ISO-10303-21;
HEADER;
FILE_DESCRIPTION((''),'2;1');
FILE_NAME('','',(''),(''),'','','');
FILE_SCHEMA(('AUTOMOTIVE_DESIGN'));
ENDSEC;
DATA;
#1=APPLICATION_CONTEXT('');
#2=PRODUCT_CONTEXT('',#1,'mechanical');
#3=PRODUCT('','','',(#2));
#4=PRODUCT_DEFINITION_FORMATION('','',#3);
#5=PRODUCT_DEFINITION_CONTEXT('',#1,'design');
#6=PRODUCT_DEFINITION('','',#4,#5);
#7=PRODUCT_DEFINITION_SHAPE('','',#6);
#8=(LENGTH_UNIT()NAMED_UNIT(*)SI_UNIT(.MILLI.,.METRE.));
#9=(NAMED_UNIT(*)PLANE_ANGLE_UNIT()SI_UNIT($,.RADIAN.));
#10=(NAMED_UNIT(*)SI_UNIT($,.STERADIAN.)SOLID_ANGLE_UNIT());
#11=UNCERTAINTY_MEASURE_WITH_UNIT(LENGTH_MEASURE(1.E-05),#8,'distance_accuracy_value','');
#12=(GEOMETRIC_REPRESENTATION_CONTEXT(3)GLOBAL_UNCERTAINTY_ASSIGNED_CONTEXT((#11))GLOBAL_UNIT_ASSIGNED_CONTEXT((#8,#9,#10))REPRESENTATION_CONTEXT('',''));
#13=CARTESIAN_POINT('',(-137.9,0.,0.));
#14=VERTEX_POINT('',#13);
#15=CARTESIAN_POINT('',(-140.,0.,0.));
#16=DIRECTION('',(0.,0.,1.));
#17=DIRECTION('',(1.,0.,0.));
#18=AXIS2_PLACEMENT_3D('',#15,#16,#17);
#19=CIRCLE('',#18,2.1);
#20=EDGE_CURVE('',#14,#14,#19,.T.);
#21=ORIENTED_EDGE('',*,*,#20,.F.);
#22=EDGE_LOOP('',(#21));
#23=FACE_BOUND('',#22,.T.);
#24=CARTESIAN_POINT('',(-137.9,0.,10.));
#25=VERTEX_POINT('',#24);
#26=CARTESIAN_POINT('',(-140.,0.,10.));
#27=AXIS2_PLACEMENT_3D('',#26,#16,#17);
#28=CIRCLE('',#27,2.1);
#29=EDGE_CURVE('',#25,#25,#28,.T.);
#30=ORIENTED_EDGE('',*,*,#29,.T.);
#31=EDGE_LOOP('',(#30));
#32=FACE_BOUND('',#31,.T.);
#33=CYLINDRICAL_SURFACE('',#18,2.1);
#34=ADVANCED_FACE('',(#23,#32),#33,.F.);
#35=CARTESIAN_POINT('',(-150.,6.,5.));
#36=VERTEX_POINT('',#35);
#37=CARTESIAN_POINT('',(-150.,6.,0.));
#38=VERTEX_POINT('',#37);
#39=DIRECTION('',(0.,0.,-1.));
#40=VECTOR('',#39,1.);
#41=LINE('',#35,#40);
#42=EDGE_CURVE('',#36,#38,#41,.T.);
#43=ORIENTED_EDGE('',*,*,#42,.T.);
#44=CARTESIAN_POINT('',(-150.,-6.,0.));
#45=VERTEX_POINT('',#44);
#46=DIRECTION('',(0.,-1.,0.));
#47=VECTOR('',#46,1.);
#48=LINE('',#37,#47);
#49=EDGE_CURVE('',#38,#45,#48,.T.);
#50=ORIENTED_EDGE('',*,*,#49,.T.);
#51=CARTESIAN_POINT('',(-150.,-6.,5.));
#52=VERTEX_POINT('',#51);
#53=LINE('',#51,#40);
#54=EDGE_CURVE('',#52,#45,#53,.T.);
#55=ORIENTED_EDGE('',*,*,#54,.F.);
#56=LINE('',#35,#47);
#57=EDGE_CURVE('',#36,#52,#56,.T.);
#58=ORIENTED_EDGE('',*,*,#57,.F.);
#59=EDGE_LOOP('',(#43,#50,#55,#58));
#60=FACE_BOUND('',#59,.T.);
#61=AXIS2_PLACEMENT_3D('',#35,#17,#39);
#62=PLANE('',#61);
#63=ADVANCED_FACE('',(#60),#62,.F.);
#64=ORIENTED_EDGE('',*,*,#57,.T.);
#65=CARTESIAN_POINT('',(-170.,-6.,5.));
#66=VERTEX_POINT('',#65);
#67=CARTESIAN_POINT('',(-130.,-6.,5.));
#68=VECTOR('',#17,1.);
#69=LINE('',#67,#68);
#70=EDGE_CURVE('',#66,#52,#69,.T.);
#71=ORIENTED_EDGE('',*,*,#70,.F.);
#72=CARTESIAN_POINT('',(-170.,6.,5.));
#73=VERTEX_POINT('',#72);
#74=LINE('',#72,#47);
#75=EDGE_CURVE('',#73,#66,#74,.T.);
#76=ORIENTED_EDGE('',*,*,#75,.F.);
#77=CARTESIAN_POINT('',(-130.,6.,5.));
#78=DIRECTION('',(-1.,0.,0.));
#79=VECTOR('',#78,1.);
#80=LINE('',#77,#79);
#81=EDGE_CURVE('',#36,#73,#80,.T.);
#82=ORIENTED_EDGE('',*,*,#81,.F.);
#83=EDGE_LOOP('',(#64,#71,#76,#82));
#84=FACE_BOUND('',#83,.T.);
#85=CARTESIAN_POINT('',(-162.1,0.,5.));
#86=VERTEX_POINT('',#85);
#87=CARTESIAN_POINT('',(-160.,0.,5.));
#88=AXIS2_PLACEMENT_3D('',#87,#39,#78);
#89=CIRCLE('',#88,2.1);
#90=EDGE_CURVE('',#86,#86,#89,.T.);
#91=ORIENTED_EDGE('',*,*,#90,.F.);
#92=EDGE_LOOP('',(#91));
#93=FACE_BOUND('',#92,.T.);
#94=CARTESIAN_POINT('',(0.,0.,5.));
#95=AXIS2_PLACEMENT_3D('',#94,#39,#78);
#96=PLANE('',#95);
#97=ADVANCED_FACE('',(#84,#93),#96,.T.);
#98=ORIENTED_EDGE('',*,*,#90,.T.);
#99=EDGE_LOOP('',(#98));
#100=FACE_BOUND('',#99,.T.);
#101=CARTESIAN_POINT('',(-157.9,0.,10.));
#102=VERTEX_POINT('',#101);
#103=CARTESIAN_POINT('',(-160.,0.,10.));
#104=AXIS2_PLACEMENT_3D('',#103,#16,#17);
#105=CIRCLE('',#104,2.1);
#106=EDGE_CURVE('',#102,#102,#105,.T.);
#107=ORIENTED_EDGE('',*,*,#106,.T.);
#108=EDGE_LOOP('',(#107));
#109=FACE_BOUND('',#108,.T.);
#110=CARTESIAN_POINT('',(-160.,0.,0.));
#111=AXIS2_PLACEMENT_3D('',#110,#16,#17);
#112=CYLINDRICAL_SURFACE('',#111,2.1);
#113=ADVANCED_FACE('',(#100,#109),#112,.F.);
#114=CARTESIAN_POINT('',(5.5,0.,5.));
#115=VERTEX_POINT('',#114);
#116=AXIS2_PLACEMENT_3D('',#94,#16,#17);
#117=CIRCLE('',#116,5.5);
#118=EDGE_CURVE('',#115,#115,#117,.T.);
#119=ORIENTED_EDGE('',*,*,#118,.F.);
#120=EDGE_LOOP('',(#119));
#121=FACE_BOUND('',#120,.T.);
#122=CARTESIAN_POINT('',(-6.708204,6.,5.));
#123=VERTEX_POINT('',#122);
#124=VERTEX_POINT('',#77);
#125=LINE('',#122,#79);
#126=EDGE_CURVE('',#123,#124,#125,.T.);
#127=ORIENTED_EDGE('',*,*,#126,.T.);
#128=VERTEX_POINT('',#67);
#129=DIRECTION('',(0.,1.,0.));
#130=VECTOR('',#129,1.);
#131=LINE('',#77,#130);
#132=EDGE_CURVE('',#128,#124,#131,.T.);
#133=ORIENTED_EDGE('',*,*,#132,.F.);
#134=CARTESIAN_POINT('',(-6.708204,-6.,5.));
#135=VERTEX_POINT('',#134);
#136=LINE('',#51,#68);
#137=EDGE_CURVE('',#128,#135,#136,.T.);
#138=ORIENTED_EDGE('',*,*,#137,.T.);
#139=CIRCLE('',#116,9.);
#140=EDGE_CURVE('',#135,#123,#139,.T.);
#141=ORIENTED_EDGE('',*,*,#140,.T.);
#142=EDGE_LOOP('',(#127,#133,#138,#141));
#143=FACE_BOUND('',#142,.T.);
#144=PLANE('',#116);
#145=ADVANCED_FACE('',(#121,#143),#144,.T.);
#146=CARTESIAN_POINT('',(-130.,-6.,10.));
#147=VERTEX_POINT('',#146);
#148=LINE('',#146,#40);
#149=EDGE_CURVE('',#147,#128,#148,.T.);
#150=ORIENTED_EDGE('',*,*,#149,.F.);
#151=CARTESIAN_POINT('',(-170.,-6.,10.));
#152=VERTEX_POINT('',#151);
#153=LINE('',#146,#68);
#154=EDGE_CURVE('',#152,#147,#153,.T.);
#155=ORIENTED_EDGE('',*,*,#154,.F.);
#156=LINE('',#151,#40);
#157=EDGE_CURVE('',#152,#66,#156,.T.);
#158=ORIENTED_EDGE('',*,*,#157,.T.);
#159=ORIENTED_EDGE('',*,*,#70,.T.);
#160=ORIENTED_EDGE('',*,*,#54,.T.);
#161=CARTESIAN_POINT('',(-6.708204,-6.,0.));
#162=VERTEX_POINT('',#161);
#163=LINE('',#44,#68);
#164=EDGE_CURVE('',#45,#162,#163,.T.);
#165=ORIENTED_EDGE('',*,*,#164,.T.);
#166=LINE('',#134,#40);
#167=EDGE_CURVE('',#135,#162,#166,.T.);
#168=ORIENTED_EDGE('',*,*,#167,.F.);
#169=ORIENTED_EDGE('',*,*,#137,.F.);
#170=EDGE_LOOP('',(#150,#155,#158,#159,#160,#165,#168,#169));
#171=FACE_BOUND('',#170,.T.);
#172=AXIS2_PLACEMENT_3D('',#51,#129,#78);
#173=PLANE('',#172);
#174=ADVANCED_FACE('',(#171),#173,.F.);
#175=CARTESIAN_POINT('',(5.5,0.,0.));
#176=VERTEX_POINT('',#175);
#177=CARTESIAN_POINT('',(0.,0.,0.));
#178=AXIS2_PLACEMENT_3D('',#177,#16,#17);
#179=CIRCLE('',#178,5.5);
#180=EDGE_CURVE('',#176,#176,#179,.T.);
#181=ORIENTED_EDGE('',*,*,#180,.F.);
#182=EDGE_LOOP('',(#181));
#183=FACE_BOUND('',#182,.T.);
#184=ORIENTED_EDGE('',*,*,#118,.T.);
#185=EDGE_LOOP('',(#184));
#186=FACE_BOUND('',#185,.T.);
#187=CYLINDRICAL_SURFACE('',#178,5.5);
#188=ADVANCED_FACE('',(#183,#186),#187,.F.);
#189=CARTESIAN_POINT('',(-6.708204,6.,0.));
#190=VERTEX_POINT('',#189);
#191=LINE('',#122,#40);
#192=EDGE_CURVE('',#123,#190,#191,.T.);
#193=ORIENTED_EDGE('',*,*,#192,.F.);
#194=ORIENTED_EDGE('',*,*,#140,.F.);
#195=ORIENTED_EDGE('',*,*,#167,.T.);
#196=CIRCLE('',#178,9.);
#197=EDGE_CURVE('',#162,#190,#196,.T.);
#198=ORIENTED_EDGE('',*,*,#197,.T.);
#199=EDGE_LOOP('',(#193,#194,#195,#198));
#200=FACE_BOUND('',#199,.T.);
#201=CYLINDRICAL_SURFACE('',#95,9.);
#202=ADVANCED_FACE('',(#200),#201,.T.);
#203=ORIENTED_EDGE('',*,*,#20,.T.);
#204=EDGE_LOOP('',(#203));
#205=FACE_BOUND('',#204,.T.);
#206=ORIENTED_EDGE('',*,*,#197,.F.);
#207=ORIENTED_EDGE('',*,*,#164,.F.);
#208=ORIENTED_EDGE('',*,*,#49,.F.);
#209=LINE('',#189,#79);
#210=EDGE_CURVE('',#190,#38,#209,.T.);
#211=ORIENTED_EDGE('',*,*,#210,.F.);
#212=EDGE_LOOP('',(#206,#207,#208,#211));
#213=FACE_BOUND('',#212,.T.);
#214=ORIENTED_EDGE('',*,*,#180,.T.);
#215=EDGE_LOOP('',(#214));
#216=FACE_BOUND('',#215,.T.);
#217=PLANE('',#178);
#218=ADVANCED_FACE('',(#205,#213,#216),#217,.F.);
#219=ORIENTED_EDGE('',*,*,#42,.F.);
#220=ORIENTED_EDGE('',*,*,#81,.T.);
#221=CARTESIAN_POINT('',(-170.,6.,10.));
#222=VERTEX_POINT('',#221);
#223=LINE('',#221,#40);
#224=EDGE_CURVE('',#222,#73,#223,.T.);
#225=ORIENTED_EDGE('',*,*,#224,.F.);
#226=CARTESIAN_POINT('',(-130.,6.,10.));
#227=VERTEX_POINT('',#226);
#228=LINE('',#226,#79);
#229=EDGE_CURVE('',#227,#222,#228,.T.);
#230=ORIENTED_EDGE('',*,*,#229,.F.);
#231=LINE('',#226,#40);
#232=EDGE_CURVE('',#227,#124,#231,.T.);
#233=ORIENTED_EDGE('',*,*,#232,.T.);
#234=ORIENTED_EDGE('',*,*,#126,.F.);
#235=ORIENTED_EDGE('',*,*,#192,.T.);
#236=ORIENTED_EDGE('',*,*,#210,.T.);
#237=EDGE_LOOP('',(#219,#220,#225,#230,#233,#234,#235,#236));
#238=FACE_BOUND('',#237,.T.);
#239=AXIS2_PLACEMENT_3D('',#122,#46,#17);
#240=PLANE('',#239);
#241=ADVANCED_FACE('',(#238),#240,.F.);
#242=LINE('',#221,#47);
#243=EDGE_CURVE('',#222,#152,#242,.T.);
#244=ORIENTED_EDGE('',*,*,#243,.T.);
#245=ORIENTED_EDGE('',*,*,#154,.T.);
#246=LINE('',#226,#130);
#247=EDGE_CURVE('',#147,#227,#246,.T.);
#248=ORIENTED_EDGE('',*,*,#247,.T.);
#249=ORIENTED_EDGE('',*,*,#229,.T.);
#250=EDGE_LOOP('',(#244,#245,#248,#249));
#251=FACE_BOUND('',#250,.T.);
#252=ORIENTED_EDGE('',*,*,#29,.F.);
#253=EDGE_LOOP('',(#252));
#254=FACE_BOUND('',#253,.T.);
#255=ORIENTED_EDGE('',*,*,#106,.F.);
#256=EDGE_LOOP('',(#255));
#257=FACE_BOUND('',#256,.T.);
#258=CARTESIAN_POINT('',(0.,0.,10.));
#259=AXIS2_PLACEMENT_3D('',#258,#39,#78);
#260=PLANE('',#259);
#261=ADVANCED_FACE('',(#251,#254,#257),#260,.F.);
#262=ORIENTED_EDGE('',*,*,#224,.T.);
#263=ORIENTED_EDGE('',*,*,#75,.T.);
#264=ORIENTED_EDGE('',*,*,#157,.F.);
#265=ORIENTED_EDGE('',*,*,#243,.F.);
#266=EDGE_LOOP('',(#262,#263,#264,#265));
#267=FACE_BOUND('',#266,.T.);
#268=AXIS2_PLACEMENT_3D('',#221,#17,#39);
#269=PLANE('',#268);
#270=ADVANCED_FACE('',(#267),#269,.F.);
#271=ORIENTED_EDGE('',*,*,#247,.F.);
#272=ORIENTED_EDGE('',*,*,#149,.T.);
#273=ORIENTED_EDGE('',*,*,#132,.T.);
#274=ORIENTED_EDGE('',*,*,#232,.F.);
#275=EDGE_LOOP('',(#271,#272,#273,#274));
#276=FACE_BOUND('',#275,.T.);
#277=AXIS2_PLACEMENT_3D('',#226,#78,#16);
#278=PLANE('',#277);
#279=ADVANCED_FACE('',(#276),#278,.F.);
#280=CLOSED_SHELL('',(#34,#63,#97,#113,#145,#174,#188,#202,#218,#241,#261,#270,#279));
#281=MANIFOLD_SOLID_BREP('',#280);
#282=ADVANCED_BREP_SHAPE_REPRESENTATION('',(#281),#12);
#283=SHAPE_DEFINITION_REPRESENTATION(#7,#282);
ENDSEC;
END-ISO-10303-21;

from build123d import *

# Parameters (mm, degrees)
BOSS_EXTRUDE1_DEPTH = 5
SKETCH2_R           = 5.5
CUT_EXTRUDE1_DEPTH  = 151.352918163
SKETCH3_W           = 40
SKETCH3_H           = 12
BOSS_EXTRUDE2_DEPTH = 5
SKETCH4_R           = 2.1
CUT_EXTRUDE2_DEPTH  = 171.531522013


with BuildPart() as part:
    # Sketch1 → Boss-Extrude1 (new body)
    with BuildSketch(Plane.XY):
        with BuildLine():
            Line((-6.708203932, 6), (-150, 6))
            Line((-150, 6), (-150, -6))
            Line((-150, -6), (-6.708203932, -6))
            ThreePointArc((-6.708203932, -6), (9, 0), (-6.708203932, 6))
        make_face()
    extrude(amount=BOSS_EXTRUDE1_DEPTH)

    # Sketch2 → Cut-Extrude1 (cut, through all)
    with BuildSketch(Plane.XY.offset(5)):
        Circle(SKETCH2_R)
    extrude(amount=-CUT_EXTRUDE1_DEPTH, mode=Mode.SUBTRACT)

    # Sketch3 → Boss-Extrude2 (add)
    with BuildSketch(Plane.XY.offset(5)):
        with Locations((-150, 0)):
            Rectangle(SKETCH3_W, SKETCH3_H)
    extrude(amount=BOSS_EXTRUDE2_DEPTH)

    # Sketch4 → Cut-Extrude2 (cut, through all)
    with BuildSketch(Plane.XY.offset(10)):
        with Locations((-160, 0)):
            Circle(SKETCH4_R)
        with Locations((-140, 0)):
            Circle(SKETCH4_R)
    extrude(amount=-CUT_EXTRUDE2_DEPTH, mode=Mode.SUBTRACT)


solid = part.part
